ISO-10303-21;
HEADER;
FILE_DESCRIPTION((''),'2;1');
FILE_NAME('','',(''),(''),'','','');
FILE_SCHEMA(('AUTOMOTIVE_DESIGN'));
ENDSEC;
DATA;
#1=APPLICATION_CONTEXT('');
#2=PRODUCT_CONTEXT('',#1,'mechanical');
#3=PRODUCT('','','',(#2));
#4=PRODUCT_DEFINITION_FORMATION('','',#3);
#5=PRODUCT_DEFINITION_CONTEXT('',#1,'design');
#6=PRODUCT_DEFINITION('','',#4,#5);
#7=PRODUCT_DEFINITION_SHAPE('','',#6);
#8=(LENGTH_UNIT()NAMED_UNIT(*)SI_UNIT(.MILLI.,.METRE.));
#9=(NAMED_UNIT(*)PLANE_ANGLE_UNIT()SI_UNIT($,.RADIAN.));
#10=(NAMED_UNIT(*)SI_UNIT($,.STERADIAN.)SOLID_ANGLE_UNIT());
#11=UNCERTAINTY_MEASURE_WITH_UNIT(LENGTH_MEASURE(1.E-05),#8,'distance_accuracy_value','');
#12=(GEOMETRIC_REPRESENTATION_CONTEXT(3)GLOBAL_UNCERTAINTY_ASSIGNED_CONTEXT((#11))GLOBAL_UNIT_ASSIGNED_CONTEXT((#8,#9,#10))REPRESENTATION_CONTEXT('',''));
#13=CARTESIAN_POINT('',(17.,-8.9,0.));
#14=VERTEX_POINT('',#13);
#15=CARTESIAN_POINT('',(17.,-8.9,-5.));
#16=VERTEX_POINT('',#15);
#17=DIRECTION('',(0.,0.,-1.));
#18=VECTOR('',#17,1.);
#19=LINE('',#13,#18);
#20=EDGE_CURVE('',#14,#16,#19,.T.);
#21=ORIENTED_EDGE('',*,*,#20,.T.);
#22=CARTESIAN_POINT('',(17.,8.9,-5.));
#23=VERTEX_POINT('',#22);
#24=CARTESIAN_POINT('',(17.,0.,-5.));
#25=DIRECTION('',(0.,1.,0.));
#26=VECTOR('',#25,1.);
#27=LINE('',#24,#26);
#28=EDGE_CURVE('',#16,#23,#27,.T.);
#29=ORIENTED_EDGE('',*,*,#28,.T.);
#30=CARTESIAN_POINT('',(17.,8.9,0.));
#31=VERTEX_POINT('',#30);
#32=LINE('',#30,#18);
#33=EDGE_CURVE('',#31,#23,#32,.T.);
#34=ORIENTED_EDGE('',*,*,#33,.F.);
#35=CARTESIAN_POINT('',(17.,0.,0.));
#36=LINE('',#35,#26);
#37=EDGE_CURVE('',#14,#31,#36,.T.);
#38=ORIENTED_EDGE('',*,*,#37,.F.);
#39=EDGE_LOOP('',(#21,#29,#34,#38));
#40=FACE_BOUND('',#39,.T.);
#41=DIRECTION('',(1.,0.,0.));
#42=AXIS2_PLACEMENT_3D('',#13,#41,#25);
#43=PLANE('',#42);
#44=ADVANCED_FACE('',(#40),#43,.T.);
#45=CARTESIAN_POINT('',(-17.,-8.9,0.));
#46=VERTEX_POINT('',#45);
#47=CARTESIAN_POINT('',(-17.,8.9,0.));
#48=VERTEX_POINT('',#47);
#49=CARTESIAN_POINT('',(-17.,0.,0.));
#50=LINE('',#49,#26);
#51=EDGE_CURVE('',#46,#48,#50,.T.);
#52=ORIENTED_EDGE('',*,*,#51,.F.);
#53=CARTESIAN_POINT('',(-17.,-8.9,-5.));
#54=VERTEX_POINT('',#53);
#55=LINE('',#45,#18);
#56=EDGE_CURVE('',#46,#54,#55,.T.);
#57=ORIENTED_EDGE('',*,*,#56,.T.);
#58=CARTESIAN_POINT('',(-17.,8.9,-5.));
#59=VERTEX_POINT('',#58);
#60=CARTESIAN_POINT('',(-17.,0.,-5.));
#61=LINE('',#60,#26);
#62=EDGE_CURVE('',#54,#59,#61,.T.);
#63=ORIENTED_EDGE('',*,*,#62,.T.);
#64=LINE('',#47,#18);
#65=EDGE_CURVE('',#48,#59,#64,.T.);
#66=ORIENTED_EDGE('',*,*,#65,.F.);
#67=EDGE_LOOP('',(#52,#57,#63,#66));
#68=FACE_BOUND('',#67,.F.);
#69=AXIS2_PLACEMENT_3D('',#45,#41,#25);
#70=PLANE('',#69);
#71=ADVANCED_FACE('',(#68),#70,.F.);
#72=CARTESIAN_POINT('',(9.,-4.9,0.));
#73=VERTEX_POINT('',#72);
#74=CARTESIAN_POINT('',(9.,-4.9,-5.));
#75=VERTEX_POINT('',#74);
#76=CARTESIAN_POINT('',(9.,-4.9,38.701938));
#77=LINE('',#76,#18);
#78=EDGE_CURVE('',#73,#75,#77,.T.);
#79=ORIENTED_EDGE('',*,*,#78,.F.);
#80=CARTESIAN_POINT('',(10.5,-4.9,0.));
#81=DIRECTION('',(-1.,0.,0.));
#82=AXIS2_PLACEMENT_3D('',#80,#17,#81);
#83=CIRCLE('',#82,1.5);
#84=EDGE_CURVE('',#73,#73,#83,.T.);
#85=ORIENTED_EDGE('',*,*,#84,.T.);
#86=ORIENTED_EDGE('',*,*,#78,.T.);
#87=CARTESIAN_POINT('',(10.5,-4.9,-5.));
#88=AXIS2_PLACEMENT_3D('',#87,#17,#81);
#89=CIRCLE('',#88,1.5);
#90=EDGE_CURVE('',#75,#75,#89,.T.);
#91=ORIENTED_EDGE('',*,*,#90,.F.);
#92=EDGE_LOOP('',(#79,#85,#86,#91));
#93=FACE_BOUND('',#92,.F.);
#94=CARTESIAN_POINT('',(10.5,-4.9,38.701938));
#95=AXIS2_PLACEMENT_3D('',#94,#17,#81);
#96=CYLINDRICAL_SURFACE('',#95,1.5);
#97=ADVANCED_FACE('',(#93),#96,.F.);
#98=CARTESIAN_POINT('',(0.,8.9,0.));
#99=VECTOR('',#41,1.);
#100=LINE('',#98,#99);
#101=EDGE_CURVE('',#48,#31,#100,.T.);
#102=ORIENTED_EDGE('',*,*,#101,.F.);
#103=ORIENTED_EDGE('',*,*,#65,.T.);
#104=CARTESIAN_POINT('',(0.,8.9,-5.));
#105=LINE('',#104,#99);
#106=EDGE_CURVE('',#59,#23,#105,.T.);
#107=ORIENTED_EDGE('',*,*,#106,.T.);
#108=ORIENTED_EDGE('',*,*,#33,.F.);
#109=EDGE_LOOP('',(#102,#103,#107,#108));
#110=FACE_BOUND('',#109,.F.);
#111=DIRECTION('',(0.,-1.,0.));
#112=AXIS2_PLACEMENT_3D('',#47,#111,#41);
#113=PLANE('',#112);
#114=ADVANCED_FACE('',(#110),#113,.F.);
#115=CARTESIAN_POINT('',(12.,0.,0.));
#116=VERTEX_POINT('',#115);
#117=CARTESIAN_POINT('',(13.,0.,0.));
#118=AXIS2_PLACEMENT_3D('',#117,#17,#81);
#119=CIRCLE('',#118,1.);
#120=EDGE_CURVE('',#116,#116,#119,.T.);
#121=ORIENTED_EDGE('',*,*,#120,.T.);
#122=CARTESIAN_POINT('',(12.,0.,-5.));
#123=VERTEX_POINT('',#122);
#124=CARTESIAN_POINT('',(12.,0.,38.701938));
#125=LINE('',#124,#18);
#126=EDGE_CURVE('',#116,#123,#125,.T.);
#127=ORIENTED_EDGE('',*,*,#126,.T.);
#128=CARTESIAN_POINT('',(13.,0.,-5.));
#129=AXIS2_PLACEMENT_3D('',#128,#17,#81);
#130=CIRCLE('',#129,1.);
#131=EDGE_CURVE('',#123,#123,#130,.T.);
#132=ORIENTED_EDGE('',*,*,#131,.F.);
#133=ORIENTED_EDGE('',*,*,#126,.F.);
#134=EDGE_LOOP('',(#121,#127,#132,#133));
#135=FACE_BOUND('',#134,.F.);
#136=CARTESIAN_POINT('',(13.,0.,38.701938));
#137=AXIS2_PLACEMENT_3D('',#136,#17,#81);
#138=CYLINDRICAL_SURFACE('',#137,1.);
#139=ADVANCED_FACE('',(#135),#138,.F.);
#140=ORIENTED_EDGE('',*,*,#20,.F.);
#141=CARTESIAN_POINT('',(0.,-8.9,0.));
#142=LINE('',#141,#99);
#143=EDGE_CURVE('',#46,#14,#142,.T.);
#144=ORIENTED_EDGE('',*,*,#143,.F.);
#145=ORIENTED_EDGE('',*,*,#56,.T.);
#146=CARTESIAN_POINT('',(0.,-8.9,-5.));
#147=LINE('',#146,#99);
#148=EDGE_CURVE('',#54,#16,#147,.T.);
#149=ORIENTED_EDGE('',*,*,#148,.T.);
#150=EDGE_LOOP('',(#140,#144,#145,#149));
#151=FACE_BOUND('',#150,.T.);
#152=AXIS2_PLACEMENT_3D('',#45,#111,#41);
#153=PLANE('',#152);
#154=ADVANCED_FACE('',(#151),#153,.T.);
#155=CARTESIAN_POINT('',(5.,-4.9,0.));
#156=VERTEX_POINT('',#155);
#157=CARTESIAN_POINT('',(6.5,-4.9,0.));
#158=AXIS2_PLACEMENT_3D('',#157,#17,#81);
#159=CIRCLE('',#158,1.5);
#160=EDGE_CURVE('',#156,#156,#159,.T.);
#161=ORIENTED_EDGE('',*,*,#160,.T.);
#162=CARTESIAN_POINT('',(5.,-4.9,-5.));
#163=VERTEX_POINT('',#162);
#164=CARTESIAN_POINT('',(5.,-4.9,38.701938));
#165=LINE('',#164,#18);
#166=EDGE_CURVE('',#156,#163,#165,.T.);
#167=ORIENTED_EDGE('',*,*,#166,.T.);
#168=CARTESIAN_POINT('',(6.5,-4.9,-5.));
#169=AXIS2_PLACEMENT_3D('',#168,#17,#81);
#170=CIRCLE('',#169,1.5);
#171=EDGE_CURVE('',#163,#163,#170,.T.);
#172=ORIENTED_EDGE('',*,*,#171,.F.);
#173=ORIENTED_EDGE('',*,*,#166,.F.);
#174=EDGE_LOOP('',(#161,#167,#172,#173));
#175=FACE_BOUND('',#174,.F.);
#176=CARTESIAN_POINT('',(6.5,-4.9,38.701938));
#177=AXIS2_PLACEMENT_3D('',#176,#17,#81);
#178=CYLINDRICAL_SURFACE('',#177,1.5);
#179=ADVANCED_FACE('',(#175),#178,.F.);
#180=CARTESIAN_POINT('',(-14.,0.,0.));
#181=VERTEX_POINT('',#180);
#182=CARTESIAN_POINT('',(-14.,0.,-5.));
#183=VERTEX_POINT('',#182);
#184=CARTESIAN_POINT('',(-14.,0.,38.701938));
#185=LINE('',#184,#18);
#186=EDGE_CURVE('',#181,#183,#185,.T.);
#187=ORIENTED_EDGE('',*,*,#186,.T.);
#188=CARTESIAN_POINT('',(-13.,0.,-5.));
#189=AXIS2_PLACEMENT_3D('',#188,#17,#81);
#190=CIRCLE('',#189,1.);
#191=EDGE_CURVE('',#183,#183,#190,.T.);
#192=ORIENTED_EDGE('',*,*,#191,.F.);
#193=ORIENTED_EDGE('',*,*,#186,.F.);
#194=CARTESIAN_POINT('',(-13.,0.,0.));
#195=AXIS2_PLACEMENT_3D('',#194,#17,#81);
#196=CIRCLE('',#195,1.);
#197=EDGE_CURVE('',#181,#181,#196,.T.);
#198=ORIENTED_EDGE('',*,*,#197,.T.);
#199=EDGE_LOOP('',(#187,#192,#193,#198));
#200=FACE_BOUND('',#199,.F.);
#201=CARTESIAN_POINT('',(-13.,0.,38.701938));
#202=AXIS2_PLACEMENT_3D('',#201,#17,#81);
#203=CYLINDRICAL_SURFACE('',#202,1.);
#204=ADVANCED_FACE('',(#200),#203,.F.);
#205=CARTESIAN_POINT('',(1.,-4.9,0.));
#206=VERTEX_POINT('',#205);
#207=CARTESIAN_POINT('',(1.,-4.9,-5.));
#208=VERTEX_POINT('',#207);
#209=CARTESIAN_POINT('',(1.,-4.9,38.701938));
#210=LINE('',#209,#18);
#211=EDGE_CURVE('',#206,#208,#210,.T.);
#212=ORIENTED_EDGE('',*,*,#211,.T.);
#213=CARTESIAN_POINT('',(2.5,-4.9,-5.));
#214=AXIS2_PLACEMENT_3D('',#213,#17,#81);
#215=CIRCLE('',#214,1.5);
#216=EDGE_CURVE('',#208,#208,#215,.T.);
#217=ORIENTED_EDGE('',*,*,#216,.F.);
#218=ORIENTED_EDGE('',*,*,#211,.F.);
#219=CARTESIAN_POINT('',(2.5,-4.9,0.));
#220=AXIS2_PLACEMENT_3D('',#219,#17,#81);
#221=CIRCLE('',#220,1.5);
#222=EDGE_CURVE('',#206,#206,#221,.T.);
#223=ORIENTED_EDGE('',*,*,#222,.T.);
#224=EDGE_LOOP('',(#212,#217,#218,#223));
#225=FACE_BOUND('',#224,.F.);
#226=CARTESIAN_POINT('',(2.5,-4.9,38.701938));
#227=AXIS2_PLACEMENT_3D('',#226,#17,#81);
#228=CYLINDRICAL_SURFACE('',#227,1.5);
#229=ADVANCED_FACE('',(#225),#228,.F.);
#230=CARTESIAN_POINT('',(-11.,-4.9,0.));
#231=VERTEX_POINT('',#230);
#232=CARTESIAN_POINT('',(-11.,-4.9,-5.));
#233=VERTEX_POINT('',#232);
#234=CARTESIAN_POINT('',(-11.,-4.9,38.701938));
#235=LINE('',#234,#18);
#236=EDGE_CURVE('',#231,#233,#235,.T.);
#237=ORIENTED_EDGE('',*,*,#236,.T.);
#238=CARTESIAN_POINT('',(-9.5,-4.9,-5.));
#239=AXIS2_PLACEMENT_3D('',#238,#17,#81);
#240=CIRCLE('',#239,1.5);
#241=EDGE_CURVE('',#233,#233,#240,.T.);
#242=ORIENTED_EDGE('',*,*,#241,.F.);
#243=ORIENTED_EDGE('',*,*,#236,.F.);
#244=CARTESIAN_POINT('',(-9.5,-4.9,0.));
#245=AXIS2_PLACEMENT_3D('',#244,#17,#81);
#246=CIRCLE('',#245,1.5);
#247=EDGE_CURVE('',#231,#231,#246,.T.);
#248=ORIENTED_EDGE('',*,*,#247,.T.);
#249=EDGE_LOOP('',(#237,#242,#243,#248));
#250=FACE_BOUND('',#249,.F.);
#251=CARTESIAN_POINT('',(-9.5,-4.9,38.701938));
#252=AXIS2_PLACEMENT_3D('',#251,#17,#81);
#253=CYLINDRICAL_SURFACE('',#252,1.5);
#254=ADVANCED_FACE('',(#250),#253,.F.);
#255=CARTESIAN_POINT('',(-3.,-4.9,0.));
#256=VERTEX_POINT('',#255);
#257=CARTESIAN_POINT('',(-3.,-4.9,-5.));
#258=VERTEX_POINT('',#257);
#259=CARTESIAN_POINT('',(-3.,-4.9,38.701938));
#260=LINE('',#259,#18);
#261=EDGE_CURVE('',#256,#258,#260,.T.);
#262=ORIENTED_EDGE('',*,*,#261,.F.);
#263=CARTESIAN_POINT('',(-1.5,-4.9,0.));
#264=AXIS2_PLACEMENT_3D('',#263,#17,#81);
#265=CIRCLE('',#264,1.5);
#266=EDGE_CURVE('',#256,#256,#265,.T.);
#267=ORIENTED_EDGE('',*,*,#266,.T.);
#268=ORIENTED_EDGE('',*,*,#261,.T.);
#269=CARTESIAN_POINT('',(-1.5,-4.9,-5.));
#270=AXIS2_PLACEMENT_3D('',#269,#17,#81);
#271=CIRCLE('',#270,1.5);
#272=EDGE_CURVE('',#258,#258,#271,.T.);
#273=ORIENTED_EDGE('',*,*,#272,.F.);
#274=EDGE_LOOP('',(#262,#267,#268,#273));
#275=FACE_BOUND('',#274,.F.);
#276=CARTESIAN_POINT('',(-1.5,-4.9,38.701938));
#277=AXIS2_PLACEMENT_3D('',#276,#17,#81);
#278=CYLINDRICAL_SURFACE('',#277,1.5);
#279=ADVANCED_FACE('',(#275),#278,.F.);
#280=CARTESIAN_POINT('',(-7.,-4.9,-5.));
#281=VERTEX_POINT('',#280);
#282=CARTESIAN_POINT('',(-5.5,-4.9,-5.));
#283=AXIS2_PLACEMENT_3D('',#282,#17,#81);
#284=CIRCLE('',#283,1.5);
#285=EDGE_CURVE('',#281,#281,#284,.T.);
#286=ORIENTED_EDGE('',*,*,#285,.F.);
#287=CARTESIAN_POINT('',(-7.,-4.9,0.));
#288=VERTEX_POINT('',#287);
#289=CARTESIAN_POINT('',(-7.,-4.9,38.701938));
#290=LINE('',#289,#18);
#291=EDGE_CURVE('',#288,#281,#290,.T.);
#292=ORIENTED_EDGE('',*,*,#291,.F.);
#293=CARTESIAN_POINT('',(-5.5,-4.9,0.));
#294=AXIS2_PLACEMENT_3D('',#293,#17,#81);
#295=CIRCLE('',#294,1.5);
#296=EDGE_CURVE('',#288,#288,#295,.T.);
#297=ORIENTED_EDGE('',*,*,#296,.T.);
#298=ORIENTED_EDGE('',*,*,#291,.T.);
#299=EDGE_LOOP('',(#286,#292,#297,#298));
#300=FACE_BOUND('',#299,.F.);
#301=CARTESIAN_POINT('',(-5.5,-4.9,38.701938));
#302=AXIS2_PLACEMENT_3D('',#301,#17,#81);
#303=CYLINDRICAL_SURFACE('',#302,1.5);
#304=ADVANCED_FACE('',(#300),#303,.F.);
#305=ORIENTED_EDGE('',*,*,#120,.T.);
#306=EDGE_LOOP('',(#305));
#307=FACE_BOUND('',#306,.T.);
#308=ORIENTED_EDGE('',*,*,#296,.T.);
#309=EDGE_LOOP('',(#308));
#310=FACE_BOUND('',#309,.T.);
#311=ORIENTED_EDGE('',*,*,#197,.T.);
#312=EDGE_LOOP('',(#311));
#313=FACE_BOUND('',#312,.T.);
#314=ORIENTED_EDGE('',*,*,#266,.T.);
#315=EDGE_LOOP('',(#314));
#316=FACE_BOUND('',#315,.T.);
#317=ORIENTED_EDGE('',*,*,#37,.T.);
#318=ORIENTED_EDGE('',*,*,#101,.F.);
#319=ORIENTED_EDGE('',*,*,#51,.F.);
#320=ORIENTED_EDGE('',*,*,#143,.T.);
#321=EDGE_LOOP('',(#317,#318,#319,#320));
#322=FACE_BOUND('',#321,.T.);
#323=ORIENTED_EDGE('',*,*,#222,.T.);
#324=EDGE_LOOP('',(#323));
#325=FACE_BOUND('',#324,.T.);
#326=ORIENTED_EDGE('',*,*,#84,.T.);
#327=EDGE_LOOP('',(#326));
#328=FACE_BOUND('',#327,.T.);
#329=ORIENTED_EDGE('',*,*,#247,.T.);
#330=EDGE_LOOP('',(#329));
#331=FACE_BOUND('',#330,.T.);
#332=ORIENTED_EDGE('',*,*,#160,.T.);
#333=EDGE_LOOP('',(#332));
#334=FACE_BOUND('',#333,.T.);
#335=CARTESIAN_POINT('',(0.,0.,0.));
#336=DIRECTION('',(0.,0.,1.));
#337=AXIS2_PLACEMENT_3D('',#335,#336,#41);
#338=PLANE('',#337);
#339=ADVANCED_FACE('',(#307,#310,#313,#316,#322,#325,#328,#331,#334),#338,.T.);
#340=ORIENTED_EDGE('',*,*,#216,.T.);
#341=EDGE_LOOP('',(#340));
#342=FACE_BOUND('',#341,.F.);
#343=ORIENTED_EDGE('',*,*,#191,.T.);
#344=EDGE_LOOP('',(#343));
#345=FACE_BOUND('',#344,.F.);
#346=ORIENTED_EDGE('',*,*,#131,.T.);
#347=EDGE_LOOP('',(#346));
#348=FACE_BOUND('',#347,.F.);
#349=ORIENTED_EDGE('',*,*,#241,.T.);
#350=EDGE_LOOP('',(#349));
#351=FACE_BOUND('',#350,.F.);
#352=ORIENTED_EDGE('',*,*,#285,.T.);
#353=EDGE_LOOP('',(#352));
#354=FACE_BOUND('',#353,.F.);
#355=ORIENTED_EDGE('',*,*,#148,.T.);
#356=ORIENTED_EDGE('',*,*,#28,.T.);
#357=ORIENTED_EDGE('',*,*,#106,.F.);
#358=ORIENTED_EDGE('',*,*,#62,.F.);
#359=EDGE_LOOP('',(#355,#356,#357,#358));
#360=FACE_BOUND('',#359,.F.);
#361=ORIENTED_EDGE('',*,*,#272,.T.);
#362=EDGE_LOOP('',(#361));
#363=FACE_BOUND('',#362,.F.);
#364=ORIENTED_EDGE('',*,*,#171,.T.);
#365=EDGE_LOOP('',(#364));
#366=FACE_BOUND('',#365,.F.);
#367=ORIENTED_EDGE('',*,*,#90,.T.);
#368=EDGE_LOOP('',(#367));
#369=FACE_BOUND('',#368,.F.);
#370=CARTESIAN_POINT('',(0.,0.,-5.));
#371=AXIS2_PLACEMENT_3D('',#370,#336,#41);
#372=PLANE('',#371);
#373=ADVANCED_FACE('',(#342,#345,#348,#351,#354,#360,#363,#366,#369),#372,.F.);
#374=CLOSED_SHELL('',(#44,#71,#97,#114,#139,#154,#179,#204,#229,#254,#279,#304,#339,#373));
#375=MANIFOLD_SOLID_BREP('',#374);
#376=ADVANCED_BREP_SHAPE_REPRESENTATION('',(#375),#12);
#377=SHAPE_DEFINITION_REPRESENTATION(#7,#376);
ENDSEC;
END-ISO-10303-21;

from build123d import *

# Parameters (mm, degrees)
F0_W     = 34
F0_H     = 17.8
F1_DEPTH = 5
F3_D     = 2
F5_D     = 2
F7_D     = 3


with BuildPart() as f1:
    # F0 (on Top) → F1 (new body)
    with BuildSketch(Plane.XY):
        Rectangle(F0_W, F0_H)
    extrude(amount=-F1_DEPTH)

    # F3 (through all)
    with Locations(Plane.XY):
        with Locations((-13, 0)):
            Hole(F3_D / 2)

    # F5 (through all)
    with Locations(Plane.XY):
        with Locations((13, 0)):
            Hole(F5_D / 2)

    # F7 (through all)
    with Locations(Plane.XY):
        with Locations((-9.5, -4.9), (-5.5, -4.9), (-1.5, -4.9), (2.5, -4.9), (6.5, -4.9), (10.5, -4.9)):
            Hole(F7_D / 2)


solid = f1.part
